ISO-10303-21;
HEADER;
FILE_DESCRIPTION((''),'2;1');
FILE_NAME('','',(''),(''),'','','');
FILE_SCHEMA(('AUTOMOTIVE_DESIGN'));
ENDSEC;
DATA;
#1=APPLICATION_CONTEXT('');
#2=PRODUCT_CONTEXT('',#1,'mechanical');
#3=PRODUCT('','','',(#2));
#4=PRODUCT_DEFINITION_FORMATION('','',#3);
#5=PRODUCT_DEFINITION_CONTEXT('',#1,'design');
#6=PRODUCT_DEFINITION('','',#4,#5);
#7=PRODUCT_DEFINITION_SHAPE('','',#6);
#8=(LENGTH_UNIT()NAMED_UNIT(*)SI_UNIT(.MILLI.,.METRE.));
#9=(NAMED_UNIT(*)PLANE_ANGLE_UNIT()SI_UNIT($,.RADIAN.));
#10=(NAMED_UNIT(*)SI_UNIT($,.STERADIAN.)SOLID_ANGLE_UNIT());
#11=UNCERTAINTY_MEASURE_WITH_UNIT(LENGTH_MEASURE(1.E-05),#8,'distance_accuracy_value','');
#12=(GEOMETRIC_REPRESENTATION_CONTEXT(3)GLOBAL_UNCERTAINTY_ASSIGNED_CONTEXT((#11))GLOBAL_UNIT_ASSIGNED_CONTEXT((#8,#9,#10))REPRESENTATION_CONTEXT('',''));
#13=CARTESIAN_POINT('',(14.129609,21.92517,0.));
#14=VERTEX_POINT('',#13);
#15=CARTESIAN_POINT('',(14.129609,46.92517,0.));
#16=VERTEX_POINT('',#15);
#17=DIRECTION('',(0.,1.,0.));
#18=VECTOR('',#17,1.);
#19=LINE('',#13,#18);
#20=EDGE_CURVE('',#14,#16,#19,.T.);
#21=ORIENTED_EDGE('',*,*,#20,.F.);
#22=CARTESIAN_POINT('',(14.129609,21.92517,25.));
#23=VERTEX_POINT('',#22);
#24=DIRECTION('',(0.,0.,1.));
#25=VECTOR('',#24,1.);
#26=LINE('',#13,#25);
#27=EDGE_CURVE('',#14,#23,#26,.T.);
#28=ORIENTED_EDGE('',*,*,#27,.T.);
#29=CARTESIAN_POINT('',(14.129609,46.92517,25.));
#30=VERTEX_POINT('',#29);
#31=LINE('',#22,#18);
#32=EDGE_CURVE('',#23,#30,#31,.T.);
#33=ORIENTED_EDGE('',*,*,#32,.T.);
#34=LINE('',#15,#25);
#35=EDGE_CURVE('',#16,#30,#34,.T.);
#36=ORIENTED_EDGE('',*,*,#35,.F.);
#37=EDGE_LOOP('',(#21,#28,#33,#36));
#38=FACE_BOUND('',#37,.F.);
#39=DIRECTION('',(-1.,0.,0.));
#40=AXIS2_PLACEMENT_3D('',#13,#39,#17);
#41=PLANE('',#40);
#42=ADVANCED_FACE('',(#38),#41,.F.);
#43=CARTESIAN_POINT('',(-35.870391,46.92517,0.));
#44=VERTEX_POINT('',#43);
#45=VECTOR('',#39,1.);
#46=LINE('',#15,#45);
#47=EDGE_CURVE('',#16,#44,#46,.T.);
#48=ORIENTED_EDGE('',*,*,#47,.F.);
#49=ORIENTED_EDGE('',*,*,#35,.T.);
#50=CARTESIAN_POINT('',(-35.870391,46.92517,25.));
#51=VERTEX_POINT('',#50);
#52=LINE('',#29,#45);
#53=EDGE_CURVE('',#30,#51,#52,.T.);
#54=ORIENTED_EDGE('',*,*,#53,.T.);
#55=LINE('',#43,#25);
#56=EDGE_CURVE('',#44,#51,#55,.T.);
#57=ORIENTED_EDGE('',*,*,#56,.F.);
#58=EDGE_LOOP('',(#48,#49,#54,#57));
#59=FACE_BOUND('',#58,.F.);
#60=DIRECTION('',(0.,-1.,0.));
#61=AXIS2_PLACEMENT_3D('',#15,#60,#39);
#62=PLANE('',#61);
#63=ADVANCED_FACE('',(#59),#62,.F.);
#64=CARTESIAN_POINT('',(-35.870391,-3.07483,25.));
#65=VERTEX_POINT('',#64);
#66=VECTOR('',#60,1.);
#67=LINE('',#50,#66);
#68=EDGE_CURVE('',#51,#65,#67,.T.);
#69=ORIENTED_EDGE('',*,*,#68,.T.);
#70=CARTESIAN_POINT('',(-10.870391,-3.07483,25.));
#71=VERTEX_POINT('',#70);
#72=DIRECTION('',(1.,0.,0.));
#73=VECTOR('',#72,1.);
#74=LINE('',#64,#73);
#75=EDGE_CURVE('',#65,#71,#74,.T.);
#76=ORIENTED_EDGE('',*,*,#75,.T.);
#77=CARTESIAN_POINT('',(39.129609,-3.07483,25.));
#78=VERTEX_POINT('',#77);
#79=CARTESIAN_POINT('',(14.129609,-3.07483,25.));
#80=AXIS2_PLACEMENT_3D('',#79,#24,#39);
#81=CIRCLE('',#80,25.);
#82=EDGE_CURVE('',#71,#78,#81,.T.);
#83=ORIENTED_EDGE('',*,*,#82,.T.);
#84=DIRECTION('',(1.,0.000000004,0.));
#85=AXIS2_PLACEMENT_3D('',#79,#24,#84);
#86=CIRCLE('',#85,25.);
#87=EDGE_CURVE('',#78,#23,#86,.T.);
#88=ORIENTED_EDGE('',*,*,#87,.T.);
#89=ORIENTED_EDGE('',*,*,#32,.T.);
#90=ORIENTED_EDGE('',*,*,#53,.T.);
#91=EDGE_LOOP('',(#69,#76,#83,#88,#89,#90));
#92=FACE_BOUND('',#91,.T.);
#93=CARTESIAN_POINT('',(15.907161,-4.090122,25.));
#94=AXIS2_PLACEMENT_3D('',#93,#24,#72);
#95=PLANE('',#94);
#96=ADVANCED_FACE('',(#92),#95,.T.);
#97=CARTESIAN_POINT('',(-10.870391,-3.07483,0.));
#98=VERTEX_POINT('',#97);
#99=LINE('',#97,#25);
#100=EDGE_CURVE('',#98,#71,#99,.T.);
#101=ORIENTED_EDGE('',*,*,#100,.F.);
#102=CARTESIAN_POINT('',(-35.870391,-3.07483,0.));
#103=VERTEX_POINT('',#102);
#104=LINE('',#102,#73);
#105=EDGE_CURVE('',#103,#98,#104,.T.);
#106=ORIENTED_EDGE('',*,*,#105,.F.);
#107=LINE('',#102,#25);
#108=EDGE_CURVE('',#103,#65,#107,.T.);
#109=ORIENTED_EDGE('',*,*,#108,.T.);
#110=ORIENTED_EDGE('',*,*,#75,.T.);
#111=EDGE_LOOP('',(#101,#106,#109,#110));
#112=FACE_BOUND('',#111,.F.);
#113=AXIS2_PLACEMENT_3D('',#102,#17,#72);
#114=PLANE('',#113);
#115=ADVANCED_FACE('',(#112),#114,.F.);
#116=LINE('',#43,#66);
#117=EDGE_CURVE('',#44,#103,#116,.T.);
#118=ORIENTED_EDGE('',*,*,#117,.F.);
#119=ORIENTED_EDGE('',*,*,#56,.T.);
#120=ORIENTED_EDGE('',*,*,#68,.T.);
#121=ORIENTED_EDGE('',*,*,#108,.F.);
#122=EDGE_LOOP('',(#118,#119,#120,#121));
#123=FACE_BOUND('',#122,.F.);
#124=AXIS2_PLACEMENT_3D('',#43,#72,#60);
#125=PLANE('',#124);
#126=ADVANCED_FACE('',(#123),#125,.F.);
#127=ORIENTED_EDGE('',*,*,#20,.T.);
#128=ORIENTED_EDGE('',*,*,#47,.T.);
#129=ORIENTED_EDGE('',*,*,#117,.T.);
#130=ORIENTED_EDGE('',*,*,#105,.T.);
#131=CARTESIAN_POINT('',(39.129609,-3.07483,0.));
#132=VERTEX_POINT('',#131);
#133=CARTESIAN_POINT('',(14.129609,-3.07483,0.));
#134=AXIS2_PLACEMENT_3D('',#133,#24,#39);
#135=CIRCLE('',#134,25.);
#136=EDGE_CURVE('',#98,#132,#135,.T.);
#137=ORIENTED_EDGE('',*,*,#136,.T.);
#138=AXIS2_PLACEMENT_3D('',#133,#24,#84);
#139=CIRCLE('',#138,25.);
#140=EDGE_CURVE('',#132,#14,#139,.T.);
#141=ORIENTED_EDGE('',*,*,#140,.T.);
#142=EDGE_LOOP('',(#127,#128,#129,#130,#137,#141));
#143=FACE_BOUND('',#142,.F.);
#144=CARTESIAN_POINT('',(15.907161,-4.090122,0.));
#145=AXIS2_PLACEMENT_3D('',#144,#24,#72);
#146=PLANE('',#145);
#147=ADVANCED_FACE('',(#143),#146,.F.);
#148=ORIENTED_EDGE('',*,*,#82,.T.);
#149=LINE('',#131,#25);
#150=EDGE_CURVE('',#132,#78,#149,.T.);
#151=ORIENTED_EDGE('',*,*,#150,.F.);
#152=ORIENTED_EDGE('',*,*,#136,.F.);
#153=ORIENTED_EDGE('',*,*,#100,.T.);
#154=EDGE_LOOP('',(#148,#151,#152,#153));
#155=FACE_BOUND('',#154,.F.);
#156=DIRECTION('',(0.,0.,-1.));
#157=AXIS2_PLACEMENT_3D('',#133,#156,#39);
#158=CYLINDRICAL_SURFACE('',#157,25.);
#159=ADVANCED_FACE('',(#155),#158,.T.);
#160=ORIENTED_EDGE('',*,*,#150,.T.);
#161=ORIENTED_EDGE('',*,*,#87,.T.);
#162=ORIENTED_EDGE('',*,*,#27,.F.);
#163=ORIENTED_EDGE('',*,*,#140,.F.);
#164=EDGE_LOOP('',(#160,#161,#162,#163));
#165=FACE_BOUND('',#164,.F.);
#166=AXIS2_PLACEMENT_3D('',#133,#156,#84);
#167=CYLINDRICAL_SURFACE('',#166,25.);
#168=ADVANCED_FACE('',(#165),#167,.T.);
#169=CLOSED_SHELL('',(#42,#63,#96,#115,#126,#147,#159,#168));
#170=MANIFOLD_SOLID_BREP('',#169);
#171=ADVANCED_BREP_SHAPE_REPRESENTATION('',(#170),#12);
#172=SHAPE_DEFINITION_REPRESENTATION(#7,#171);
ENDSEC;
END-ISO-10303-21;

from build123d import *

# Parameters (mm, degrees)
F1_DEPTH = 25


with BuildPart() as f1:
    # F0 (on Top) → F1 (new body)
    with BuildSketch(Plane.XY):
        with BuildLine():
            ThreePointArc((39.129609, -3.07483), (31.807278, 14.60284), (14.129609, 21.92517))
            Line((14.129609, 21.92517), (14.129609, -3.07483))
            Line((14.129609, -3.07483), (-10.870391, -3.07483))
            ThreePointArc((-10.870391, -3.07483), (14.129609, -28.07483), (39.129609, -3.07483))
        make_face()
        with BuildLine():
            Line((14.129609, -3.07483), (14.129609, 21.92517))
            ThreePointArc((14.129609, 21.92517), (-3.548061, 14.60284), (-10.870391, -3.07483))
            Line((-10.870391, -3.07483), (14.129609, -3.07483))
        make_face()
        with BuildLine():
            Line((14.129609, 46.92517), (-35.870391, 46.92517))
            Line((-35.870391, 46.92517), (-35.870391, -3.07483))
            Line((-35.870391, -3.07483), (-10.870391, -3.07483))
            ThreePointArc((-10.870391, -3.07483), (-3.548061, 14.60284), (14.129609, 21.92517))
            Line((14.129609, 21.92517), (14.129609, 46.92517))
        make_face()
    extrude(amount=F1_DEPTH)


solid = f1.part
